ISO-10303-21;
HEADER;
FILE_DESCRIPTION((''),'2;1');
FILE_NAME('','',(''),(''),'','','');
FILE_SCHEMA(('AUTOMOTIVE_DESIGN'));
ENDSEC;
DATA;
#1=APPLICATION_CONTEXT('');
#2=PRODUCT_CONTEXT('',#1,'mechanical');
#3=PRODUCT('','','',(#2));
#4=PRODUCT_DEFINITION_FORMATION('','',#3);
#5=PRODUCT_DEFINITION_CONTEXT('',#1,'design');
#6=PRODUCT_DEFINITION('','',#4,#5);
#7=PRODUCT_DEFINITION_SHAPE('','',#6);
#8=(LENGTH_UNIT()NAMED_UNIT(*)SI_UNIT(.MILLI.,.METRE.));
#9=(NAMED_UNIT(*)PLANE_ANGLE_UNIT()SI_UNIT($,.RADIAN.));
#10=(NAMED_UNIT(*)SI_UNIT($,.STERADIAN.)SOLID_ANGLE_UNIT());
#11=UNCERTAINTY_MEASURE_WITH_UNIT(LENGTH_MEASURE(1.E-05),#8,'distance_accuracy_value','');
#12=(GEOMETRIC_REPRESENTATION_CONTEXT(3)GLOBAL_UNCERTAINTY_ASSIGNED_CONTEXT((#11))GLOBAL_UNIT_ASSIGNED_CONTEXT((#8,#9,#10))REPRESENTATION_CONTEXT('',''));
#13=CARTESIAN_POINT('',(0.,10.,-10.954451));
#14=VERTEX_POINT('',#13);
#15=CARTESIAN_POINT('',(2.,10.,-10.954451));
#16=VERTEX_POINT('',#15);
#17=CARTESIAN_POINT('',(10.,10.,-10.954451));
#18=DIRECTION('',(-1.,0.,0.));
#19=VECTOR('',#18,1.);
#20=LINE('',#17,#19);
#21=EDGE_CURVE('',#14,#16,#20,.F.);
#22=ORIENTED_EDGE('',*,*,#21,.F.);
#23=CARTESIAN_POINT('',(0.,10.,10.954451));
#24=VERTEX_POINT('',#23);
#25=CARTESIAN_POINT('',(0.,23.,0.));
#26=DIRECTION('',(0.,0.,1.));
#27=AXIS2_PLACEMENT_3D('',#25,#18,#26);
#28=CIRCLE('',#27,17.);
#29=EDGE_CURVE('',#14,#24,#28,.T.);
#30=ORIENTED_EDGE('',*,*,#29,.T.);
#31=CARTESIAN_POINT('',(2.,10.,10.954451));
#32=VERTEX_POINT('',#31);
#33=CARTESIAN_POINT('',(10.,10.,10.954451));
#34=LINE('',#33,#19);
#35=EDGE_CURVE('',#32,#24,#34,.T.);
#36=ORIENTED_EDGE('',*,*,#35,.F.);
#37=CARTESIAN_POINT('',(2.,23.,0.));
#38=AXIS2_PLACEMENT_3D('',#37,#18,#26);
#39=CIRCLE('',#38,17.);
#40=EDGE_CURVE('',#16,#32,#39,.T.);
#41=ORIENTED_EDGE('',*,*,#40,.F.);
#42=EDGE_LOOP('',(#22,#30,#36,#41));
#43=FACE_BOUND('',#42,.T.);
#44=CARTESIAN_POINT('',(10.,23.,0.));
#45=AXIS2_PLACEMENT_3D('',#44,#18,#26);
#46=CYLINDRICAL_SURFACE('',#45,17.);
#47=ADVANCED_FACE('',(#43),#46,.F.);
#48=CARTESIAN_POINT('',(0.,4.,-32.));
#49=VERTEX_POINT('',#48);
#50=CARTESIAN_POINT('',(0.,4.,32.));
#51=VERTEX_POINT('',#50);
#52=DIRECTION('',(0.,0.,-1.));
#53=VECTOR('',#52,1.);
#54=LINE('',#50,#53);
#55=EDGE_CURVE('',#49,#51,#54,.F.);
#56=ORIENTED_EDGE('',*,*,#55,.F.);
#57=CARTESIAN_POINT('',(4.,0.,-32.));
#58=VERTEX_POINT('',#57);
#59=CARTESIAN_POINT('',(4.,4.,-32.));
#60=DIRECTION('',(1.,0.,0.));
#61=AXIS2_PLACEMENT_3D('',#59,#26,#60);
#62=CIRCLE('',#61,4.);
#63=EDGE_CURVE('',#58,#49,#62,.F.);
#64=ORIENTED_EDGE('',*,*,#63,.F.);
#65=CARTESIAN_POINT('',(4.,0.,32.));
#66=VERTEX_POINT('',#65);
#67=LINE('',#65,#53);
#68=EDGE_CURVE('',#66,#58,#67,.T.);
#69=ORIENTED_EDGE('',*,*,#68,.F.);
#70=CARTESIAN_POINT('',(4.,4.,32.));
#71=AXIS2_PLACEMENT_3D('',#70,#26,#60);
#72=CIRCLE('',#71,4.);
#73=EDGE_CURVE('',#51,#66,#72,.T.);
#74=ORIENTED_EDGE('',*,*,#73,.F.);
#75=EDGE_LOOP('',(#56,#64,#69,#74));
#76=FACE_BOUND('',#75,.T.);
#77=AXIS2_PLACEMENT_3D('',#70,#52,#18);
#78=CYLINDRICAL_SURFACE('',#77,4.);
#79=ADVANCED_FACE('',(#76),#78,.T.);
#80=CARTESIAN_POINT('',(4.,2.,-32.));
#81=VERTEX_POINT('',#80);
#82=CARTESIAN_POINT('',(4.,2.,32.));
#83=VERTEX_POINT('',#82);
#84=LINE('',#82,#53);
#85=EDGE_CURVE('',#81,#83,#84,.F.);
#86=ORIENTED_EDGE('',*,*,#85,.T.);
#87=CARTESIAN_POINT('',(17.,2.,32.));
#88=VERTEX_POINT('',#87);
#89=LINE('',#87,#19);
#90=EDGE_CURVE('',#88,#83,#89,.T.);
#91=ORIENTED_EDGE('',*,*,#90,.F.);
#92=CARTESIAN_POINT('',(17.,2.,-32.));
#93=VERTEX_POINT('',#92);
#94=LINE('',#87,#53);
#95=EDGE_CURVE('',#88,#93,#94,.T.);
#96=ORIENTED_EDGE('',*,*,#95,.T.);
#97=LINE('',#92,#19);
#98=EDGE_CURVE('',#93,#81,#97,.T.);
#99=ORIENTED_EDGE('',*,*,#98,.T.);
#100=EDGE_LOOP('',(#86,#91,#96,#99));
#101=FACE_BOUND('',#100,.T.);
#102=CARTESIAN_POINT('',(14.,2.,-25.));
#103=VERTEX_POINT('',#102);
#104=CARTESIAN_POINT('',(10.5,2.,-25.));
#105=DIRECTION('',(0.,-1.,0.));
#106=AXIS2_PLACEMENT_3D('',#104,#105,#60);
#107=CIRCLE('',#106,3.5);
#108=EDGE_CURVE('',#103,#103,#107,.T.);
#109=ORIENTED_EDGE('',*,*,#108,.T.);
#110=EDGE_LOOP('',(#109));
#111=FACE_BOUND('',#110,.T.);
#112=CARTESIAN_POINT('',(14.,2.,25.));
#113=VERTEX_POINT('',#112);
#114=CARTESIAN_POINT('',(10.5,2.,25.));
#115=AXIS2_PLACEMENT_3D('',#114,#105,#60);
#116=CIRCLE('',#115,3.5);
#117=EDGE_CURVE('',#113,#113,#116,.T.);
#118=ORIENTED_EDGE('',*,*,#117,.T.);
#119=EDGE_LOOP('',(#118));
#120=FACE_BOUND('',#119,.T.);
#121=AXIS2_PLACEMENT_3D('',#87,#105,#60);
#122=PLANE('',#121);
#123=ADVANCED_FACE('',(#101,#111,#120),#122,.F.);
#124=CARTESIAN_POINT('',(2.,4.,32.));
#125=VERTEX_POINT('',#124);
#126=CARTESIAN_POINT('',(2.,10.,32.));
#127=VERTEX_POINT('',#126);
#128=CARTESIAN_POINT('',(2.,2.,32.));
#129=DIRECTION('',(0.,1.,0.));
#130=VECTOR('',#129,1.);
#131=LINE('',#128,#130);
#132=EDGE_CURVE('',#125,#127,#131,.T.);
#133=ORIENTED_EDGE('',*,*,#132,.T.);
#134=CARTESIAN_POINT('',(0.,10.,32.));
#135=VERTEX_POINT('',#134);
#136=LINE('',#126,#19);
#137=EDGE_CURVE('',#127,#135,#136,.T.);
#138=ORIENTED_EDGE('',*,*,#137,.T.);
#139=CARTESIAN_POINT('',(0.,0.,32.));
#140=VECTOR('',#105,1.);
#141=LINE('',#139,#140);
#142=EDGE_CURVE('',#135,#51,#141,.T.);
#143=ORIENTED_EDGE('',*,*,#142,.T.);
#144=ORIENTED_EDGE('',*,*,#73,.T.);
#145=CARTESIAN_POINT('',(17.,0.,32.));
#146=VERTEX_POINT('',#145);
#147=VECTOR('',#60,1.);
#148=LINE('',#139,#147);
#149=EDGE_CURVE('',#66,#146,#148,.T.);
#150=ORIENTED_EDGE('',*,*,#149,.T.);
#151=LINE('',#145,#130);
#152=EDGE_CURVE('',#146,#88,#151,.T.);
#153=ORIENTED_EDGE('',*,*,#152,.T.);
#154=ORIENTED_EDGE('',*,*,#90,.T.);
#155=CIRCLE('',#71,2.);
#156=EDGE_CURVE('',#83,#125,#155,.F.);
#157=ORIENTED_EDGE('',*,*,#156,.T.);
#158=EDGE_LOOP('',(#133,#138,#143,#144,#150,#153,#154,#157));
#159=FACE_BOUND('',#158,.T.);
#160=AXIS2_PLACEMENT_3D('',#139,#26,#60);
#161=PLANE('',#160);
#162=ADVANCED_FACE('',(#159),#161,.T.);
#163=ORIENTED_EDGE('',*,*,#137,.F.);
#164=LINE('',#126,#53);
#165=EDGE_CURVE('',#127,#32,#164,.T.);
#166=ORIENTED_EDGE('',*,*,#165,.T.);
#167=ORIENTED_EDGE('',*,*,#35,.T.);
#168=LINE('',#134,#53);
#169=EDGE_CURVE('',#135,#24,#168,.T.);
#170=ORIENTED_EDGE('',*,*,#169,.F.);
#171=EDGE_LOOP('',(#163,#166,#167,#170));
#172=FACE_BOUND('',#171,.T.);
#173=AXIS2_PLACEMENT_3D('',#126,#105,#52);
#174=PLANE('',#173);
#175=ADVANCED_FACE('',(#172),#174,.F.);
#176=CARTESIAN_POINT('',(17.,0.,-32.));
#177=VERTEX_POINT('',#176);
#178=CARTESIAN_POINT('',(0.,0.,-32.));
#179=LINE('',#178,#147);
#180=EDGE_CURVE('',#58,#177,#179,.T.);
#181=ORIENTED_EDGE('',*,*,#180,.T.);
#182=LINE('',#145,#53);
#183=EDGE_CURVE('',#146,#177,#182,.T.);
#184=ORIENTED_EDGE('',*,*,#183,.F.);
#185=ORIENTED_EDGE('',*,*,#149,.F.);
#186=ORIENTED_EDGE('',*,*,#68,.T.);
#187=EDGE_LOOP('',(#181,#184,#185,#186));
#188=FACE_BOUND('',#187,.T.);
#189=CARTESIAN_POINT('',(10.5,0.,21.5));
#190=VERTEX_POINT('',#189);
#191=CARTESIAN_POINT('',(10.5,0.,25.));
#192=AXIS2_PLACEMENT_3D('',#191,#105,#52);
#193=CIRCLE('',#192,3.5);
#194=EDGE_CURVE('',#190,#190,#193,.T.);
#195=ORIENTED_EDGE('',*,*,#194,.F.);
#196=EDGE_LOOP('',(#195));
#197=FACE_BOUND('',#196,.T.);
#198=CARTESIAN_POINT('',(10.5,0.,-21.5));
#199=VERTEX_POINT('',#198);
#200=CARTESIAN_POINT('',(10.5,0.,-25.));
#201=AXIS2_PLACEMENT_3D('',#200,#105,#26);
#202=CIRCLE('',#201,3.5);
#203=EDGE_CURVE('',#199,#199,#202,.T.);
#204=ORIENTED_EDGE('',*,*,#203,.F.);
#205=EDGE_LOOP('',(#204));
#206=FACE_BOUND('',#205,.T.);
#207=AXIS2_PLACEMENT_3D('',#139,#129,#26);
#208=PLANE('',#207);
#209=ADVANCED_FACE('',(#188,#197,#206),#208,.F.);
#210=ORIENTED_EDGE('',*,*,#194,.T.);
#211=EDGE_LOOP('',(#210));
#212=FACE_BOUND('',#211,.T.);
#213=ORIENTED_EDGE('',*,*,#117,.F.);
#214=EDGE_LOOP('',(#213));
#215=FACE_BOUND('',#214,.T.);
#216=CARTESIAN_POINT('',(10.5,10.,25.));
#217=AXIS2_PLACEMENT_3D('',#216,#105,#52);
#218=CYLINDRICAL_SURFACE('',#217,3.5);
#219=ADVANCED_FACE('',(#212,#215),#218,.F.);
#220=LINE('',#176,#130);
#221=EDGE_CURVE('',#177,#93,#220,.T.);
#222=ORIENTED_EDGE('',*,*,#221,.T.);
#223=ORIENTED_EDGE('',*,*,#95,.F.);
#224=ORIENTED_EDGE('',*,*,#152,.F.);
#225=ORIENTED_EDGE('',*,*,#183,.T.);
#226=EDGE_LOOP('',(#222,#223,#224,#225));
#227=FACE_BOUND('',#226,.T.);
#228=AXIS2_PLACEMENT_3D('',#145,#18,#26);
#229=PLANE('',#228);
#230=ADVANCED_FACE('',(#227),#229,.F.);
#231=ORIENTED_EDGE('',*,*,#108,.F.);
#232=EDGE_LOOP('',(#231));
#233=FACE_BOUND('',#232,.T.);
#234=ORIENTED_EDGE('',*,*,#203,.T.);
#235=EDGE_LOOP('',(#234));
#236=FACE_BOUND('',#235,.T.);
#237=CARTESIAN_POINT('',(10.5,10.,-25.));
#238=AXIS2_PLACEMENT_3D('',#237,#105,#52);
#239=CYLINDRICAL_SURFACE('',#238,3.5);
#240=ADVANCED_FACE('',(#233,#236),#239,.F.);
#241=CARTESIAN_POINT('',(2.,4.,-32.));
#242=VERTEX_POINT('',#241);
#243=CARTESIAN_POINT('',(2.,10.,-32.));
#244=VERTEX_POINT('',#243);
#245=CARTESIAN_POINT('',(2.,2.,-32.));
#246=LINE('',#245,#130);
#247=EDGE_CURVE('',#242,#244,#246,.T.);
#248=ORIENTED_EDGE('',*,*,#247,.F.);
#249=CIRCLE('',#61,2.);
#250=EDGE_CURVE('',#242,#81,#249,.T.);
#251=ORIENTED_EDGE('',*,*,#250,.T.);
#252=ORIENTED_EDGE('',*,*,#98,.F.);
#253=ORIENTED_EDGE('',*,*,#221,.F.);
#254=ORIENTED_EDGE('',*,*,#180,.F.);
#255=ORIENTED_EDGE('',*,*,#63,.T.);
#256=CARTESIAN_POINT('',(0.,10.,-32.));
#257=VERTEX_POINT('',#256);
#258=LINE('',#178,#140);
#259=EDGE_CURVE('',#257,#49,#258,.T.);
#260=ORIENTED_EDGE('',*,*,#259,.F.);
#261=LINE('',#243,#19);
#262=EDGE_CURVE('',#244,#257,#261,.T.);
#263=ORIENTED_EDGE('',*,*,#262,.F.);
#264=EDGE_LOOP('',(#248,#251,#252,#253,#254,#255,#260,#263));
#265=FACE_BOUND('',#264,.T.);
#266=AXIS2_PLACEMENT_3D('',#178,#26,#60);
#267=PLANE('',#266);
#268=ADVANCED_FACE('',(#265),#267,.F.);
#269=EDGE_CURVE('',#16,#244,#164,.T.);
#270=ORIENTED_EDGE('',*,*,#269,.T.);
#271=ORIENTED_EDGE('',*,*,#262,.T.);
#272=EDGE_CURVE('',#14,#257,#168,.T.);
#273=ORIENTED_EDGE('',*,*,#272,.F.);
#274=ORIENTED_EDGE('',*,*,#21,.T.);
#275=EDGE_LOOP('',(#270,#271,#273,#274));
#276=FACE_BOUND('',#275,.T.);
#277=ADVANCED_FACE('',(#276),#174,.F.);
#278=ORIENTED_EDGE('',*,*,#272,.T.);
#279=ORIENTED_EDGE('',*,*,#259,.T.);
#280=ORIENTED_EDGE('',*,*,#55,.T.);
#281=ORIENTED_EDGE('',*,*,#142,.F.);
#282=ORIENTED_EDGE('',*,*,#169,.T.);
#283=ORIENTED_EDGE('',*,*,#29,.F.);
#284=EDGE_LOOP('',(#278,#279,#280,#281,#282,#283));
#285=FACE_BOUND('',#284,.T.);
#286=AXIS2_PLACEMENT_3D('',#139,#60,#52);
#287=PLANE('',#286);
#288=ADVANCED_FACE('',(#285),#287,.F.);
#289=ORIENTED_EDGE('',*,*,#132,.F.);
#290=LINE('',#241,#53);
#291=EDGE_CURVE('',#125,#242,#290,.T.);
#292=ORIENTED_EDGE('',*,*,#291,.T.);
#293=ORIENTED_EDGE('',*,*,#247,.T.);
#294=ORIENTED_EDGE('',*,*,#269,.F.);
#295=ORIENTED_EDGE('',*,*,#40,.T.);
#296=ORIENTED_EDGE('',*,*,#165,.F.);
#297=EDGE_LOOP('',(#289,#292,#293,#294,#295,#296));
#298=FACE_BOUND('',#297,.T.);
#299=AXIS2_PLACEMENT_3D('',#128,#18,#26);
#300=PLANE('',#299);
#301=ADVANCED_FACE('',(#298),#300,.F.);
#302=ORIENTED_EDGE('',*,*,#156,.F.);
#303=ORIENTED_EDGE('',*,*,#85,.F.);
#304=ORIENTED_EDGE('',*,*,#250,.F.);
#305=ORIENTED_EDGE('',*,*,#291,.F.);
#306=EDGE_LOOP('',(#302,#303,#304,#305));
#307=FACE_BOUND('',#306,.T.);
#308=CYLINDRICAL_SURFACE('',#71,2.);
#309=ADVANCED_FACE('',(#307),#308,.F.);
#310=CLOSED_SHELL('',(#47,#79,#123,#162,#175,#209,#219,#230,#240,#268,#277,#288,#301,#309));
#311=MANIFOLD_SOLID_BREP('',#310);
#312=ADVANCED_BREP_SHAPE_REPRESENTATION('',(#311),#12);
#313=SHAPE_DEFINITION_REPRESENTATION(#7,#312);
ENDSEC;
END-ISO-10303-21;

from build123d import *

# Parameters (mm, degrees)
EXTRUDE_1_DEPTH     = 32
FILLET_1_R          = 4
FILLET_2_R          = 2
SKETCH_2_R          = 3.5
CUT_EXTRUDE_1_DEPTH = 10
SKETCH_3_R          = 17
CUT_EXTRUDE_2_DEPTH = 10


with BuildPart() as part:
    # 草图1 → 凸台-拉伸1 (new, symmetric)
    with BuildSketch(Plane.XY):
        Polygon((0, 0), (0, 10), (2, 10), (2, 2), (17, 2), (17, 0), align=None)
    extrude(amount=EXTRUDE_1_DEPTH, both=True)

    # 圆角1
    fillet_1_edges = [part.edges().sort_by_distance(p)[0] for p in [
        (0, 0, 0),
    ]]
    fillet(fillet_1_edges, radius=FILLET_1_R)

    # 圆角2
    fillet_2_edges = [part.edges().sort_by_distance(p)[0] for p in [
        (2, 2, 0),
    ]]
    fillet(fillet_2_edges, radius=FILLET_2_R)

    # 草图2 → 切除-拉伸1 (cut)
    with BuildSketch(Plane.XZ):
        with Locations(Location((10.5, 25, 0), (0, 0, 270))):
            Circle(SKETCH_2_R)
        with Locations((10.5, -25)):
            Circle(SKETCH_2_R)
    extrude(amount=-CUT_EXTRUDE_1_DEPTH, mode=Mode.SUBTRACT)

    # 草图3 → 切除-拉伸2 (cut)
    with BuildSketch(Plane.ZY):
        with Locations((0, 23)):
            Circle(SKETCH_3_R)
    extrude(amount=-CUT_EXTRUDE_2_DEPTH, mode=Mode.SUBTRACT)


solid = part.part
